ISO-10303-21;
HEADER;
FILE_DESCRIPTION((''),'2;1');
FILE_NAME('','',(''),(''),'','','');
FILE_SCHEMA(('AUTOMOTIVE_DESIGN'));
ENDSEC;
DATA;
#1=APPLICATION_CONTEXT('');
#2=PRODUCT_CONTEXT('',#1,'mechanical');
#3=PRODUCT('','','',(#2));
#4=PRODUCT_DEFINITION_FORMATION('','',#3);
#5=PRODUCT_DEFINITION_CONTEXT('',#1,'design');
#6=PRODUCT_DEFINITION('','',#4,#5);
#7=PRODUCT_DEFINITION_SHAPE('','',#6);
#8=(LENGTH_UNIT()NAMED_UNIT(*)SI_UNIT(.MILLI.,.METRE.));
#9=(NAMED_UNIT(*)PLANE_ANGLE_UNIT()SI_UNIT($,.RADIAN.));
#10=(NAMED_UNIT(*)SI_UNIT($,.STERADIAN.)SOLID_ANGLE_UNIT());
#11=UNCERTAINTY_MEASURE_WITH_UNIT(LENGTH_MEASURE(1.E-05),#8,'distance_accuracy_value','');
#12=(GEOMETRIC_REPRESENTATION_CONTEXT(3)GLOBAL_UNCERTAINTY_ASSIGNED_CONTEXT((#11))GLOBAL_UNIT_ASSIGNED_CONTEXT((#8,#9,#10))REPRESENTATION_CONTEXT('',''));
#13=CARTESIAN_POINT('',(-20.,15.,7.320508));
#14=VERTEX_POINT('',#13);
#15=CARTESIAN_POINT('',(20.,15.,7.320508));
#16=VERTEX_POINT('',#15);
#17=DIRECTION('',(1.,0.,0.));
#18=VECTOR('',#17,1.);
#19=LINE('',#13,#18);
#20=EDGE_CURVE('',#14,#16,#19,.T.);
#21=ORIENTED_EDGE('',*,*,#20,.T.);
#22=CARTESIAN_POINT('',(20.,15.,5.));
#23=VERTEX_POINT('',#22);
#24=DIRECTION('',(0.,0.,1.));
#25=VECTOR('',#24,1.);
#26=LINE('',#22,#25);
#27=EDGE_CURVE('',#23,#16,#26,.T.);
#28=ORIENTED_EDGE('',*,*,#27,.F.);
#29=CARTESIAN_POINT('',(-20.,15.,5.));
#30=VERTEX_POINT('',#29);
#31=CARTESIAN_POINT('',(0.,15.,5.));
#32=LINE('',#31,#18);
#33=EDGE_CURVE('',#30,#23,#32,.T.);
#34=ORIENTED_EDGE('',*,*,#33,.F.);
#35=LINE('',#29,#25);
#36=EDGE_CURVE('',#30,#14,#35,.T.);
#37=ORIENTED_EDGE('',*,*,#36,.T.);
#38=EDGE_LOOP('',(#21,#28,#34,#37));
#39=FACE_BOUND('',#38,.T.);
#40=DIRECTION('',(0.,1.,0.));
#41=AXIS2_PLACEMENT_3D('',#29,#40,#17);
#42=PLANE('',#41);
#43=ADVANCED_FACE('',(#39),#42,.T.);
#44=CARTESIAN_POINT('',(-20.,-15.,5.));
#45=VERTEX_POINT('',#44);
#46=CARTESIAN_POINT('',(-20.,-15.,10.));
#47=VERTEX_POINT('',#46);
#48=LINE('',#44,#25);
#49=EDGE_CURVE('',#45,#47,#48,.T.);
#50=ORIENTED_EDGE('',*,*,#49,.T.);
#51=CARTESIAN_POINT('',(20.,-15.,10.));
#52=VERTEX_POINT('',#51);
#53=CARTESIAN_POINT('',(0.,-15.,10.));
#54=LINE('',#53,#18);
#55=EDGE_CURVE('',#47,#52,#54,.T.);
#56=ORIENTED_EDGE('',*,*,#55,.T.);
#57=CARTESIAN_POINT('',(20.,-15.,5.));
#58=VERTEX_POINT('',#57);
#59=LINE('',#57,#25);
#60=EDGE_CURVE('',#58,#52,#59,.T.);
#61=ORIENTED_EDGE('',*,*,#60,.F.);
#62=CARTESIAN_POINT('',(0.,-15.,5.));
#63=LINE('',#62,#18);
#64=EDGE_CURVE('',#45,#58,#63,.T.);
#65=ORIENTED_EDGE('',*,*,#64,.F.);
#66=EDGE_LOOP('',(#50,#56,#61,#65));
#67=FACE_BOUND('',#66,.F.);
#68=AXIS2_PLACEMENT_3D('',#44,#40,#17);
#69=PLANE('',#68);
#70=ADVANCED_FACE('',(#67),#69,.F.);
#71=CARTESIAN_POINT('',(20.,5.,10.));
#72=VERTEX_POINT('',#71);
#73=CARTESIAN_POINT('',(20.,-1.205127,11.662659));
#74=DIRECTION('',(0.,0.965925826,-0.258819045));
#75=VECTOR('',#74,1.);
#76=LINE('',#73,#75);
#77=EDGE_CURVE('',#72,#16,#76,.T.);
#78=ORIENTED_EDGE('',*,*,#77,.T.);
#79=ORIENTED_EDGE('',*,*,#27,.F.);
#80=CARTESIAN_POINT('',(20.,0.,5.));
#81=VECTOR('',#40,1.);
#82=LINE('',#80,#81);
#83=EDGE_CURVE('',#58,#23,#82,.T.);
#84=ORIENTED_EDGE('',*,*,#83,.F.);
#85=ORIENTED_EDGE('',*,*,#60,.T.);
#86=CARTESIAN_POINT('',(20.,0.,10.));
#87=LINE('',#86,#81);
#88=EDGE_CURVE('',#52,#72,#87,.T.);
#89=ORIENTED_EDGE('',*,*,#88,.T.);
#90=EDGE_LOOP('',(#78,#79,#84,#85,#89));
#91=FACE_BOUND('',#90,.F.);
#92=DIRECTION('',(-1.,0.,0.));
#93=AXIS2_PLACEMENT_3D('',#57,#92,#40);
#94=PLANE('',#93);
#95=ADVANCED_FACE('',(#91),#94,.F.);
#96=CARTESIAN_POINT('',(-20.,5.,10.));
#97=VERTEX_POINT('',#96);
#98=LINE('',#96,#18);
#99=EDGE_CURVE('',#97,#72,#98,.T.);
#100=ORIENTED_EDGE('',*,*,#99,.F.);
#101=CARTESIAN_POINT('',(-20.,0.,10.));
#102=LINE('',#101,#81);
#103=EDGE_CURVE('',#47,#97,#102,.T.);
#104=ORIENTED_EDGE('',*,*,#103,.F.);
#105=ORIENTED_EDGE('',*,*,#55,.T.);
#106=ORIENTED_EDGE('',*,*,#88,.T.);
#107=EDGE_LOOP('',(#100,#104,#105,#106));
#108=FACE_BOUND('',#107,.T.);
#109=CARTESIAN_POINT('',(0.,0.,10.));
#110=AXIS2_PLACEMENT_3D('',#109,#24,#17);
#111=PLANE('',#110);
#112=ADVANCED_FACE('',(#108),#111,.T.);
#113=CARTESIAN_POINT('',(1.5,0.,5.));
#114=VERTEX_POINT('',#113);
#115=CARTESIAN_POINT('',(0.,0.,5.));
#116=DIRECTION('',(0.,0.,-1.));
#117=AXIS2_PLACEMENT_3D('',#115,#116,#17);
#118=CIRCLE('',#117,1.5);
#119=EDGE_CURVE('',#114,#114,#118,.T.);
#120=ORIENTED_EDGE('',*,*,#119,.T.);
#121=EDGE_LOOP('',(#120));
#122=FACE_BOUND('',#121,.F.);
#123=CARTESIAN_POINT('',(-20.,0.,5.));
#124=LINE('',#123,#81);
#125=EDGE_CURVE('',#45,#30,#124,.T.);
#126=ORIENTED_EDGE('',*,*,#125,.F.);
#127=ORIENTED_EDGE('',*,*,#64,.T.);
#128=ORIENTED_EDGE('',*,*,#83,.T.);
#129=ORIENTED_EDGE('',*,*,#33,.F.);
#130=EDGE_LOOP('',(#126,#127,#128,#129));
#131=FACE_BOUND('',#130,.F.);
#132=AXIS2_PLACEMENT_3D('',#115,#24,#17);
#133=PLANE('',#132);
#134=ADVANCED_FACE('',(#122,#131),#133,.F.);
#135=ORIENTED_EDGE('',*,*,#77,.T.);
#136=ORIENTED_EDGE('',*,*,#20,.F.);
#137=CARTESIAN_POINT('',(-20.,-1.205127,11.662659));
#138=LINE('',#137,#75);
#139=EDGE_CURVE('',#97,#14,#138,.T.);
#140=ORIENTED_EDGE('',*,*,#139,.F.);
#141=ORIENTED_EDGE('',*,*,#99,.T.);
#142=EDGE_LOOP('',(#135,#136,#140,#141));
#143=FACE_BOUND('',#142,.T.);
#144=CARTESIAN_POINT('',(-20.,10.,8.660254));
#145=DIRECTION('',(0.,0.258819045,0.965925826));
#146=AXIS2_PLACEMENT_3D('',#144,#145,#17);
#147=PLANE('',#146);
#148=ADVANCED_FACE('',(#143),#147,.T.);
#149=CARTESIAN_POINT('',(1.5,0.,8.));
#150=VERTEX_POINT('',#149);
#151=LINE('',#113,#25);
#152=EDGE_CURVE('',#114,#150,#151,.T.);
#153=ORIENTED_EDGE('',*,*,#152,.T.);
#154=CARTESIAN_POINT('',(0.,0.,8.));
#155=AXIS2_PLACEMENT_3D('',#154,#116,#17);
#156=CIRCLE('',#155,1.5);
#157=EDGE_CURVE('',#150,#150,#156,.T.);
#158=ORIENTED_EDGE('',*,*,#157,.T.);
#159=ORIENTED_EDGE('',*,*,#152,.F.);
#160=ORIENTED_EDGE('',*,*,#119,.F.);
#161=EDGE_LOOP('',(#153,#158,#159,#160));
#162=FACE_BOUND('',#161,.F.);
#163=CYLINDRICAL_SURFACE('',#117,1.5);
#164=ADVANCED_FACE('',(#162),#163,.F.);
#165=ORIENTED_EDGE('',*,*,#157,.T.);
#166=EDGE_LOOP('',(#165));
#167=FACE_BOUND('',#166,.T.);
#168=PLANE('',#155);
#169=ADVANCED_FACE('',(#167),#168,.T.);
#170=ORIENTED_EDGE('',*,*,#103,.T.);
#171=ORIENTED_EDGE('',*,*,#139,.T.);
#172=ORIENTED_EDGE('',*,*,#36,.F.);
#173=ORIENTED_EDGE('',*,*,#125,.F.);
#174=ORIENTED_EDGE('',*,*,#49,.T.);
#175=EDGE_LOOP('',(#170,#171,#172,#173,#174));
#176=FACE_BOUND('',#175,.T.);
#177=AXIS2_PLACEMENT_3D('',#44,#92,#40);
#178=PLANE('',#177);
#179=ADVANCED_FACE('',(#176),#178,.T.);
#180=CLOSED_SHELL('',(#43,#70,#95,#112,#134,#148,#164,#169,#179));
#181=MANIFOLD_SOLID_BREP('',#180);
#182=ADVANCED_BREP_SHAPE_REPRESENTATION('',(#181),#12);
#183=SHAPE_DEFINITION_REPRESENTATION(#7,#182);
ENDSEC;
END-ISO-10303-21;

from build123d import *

# Parameters (mm, degrees)
F0_R     = 1.25
F1_DEPTH = 5
F2_W     = 40
F2_H     = 30
F3_DEPTH = 5
F4_SIZE2 = 2.6794919243
F4_SIZE  = 10
F5_DEPTH = 5
F6_R     = 1.5
F7_DEPTH = 3


with BuildPart() as f1:
    # F0 (on Top) → F1 (new body)
    with BuildSketch(Plane.XY):
        Circle(F0_R)
    extrude(amount=F1_DEPTH)

    # F2 (on face) → F3 (join)
    with BuildSketch(Plane.XY.offset(5)):
        Rectangle(F2_W, F2_H)
    extrude(amount=F3_DEPTH)

    # F4
    f4_edges = [f1.edges().sort_by_distance(p)[0] for p in [
        (0, 15, 10),
    ]]
    f4_side = f1.faces().sort_by_distance((0, 0, 10))[0]
    chamfer(f4_edges, length=F4_SIZE, length2=F4_SIZE2, reference=f4_side)

    # F5 (cut): a face of the model
    f5_faces = [f1.faces().sort_by_distance(p)[0] for p in [
        (0, 0, 0),
    ]]
    extrude(f5_faces, amount=-F5_DEPTH, mode=Mode.SUBTRACT)

    # F6 (on face) → F7 (cut)
    with BuildSketch(Plane(origin=(0, 0, 5), x_dir=(1, 0, 0), z_dir=(0, 0, -1))):
        Circle(F6_R)
    extrude(amount=-F7_DEPTH, mode=Mode.SUBTRACT)


solid = f1.part
